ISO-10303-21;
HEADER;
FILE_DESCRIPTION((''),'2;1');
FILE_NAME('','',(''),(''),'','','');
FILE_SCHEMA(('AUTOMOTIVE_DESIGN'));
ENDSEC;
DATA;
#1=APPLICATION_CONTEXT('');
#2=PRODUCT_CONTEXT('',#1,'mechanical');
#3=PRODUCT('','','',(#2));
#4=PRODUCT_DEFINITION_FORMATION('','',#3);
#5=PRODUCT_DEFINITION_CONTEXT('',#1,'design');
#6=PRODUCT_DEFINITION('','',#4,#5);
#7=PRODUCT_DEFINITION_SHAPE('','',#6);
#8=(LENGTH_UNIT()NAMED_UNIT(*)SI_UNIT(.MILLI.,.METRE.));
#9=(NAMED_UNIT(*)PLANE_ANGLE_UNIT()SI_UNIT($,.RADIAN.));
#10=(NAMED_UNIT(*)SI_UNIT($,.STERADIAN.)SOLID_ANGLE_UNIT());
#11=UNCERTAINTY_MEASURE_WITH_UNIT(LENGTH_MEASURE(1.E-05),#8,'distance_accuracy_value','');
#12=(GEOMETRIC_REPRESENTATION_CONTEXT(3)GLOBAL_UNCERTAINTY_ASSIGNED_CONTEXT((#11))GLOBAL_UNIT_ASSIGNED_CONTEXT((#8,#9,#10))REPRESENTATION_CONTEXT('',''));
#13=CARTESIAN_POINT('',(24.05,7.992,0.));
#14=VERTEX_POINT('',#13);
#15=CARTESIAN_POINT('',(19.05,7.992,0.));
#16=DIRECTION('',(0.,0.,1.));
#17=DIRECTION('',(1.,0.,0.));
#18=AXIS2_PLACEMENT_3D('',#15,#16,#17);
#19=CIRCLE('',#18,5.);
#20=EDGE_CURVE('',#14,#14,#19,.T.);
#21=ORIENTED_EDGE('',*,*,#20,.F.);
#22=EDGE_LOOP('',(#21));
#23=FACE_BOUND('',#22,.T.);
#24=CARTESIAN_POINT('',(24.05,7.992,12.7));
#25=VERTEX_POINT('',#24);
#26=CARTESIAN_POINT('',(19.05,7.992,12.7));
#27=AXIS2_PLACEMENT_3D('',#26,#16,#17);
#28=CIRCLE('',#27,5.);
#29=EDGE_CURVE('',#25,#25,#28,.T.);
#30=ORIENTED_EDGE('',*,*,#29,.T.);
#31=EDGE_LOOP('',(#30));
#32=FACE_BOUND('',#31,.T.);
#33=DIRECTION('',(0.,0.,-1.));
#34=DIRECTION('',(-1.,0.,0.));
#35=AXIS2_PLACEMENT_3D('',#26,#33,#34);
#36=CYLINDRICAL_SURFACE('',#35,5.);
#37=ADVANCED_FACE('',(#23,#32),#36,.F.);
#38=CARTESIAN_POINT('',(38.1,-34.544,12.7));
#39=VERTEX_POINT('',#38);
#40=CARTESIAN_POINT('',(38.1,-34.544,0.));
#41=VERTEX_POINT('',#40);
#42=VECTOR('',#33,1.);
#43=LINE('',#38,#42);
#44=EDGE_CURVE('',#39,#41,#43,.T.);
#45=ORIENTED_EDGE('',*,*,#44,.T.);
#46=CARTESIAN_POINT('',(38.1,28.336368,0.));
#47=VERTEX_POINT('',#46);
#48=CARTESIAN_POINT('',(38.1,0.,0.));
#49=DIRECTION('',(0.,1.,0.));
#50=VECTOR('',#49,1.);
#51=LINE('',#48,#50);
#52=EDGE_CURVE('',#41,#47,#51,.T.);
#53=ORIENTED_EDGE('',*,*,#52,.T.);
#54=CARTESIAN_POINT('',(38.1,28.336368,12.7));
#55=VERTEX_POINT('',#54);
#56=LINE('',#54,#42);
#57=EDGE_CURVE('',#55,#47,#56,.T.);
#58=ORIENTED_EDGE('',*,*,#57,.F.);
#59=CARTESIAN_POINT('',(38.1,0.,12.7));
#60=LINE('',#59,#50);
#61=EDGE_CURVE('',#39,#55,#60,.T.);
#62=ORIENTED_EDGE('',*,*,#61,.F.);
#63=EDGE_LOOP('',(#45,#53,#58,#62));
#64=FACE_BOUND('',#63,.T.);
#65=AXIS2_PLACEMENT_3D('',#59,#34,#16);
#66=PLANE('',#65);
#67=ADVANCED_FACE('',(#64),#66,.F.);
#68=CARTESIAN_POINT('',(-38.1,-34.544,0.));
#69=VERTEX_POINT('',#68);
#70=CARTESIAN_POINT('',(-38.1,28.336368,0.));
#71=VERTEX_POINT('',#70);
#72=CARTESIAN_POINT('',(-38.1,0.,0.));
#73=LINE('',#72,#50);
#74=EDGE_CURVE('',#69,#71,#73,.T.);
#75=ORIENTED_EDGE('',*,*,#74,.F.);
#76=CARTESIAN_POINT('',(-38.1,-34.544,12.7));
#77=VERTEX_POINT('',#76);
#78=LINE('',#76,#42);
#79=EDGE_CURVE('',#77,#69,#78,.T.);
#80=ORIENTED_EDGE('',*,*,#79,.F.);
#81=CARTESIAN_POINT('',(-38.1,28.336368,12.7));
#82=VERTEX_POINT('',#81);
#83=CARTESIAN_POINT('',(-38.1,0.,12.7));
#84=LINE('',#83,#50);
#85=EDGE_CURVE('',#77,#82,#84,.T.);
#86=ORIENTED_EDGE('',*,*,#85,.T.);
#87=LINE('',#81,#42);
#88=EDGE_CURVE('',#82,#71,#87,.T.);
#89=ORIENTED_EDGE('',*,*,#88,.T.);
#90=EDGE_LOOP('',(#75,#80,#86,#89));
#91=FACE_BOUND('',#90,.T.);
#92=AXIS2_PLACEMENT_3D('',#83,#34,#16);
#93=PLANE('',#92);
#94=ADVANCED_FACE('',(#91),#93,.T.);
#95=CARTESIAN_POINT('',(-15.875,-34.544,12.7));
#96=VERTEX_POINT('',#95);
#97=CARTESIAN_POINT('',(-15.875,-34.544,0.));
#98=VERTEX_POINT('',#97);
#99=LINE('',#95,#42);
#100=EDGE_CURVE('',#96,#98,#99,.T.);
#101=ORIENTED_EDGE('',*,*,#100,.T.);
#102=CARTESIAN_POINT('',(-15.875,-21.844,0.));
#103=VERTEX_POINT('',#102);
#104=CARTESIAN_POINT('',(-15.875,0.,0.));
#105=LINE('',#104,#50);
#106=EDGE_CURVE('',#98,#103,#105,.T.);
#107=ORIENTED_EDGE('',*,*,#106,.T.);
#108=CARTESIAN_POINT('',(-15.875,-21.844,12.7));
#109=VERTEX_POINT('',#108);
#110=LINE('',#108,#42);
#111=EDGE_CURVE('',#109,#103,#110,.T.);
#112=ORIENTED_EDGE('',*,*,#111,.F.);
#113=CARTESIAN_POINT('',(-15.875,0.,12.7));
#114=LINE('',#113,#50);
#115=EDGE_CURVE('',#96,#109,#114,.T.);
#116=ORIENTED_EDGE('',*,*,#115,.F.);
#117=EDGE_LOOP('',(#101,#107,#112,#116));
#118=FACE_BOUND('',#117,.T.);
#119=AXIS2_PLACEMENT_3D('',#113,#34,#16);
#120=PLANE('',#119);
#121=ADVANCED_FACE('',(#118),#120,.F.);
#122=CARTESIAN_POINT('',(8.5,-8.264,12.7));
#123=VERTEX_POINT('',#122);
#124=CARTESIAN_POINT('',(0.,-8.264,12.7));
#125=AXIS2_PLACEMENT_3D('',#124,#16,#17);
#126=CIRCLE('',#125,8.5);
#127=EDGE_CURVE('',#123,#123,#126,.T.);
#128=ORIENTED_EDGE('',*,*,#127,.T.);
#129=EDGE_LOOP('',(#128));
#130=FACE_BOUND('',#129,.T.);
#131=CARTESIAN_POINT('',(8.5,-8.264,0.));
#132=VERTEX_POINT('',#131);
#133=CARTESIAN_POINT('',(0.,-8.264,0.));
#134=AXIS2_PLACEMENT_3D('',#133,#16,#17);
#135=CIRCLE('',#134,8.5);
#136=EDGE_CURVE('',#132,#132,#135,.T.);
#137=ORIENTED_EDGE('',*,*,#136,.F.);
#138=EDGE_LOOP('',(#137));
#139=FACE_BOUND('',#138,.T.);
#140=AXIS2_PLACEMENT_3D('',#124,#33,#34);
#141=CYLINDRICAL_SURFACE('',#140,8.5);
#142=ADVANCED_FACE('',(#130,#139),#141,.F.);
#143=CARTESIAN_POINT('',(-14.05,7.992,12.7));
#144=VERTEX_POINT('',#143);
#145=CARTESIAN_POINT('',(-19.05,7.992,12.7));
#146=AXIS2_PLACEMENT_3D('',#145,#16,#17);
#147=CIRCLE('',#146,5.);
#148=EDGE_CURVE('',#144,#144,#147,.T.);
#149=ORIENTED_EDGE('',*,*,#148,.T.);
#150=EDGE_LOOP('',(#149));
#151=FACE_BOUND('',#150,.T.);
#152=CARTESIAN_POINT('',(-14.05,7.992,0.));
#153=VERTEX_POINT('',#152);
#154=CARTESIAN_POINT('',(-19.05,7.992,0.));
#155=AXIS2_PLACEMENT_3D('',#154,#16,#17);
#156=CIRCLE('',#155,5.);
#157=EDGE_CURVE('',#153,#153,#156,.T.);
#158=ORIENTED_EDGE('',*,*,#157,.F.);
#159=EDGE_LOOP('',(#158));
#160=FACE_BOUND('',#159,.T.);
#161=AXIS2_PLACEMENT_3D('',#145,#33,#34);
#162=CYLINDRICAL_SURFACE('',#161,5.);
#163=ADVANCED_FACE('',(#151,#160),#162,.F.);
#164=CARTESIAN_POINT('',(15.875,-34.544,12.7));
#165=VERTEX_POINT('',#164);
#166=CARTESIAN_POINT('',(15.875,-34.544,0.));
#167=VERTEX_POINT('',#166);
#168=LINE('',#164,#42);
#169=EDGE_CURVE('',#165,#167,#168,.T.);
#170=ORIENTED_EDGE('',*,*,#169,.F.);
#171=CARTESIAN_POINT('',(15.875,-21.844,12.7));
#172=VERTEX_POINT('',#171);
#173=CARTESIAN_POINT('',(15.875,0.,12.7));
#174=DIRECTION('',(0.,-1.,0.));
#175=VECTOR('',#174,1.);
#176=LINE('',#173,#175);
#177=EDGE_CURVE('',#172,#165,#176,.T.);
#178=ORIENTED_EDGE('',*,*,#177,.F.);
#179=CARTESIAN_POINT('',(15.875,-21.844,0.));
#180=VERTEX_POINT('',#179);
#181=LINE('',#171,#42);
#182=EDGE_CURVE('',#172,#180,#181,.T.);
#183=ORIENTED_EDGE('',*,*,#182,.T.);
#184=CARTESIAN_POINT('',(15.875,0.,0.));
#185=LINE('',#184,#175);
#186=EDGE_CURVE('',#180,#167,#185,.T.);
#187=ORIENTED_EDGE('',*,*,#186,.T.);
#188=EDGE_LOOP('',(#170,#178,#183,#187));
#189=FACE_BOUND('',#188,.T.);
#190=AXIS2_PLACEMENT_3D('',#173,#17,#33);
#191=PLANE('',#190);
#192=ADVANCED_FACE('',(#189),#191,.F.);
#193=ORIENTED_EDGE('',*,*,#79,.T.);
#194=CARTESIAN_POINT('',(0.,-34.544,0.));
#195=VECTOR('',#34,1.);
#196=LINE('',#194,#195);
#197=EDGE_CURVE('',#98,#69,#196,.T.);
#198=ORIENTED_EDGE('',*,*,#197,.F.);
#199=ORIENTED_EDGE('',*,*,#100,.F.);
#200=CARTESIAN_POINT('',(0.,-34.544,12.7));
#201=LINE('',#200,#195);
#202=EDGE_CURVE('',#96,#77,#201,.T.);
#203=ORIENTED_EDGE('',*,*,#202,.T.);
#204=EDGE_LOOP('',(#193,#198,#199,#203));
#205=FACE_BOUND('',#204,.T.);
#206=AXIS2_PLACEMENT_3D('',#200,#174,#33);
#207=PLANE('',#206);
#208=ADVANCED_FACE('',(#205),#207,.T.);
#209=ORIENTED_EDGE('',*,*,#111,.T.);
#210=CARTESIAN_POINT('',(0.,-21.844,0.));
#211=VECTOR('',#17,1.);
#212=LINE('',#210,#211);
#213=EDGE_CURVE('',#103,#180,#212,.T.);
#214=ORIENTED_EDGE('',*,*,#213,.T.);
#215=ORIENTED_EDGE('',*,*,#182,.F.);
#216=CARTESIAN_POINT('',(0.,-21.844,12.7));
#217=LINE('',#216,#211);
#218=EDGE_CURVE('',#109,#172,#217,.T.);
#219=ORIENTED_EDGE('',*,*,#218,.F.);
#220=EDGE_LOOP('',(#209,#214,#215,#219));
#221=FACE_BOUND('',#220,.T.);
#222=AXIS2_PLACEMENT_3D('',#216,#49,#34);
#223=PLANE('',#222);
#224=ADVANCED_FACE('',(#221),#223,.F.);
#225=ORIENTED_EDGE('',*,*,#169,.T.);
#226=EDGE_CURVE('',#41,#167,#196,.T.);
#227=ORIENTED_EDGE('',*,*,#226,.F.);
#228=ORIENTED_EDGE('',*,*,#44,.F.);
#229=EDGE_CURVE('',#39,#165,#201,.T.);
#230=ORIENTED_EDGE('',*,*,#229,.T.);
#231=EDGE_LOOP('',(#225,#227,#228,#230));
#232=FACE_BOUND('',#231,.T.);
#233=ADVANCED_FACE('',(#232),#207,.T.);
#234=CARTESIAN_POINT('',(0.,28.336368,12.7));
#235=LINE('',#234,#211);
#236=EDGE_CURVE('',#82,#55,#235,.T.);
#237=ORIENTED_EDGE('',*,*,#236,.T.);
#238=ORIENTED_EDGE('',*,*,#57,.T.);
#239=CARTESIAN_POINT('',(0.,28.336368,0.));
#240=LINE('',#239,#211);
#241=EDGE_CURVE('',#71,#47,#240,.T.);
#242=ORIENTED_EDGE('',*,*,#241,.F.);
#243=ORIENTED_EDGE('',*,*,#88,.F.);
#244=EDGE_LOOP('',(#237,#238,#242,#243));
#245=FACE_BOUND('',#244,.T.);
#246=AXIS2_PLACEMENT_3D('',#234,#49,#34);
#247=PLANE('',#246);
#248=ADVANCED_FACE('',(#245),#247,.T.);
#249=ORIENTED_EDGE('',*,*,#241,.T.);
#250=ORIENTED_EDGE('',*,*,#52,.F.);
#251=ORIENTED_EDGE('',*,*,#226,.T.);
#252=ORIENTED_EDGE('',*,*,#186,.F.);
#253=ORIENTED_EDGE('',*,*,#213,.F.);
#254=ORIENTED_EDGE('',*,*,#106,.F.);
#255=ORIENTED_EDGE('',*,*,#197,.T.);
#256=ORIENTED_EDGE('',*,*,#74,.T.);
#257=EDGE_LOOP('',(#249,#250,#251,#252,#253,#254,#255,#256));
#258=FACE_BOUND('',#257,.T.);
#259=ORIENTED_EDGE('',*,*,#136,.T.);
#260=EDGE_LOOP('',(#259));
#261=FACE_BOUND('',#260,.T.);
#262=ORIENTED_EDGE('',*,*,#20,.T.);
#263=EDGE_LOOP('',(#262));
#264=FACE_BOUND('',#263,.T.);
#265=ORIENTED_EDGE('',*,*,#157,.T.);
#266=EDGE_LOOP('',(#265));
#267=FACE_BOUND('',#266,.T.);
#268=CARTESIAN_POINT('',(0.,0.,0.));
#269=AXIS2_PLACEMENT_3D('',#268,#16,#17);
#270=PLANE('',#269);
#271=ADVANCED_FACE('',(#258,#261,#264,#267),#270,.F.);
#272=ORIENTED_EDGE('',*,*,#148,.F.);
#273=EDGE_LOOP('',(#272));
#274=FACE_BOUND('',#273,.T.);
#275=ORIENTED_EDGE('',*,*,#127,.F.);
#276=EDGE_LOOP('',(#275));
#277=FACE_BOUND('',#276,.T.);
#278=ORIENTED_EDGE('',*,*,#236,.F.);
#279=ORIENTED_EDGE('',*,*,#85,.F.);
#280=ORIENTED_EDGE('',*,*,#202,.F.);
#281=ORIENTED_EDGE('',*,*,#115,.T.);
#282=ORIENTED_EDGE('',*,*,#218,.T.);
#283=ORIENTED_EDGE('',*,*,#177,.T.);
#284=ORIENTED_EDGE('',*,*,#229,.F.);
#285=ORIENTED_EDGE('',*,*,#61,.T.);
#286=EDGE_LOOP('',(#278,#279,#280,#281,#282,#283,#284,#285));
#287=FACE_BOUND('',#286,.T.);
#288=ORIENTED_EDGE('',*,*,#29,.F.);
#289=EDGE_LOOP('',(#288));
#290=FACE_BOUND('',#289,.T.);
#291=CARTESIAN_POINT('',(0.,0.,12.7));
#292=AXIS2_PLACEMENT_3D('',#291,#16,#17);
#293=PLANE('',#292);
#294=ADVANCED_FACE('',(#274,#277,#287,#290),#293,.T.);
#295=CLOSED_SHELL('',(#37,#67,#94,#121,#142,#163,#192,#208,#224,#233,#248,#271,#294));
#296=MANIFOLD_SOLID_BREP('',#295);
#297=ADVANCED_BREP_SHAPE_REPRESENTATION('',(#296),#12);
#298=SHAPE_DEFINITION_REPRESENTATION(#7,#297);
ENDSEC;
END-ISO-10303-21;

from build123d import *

# Parameters (mm, degrees)
SKETCH1_R           = 5
BOSS_EXTRUDE1_DEPTH = 12.7


with BuildPart() as part:
    # Sketch1 → Boss-Extrude1 (new body)
    with BuildSketch(Plane.XY):
        Polygon((-38.1, -34.544), (-15.875, -34.544), (-15.875, -21.844), (0, -21.844), (15.875, -21.844), (15.875, -34.544), (38.1, -34.544), (38.1, 28.336368082), (-19.05, 28.336368082), (-38.1, 28.336368082), align=None)
        with BuildLine():
            ThreePointArc((8.5, -8.264), (6.01040764, -14.27440764), (0, -16.764))
            ThreePointArc((0, -16.764), (-6.01040764, -2.25359236), (8.5, -8.264))
        make_face(mode=Mode.SUBTRACT)
        with Locations((-19.05, 7.992)):
            Circle(SKETCH1_R, mode=Mode.SUBTRACT)
        with Locations((19.05, 7.992)):
            Circle(SKETCH1_R, mode=Mode.SUBTRACT)
    extrude(amount=BOSS_EXTRUDE1_DEPTH)


solid = part.part
